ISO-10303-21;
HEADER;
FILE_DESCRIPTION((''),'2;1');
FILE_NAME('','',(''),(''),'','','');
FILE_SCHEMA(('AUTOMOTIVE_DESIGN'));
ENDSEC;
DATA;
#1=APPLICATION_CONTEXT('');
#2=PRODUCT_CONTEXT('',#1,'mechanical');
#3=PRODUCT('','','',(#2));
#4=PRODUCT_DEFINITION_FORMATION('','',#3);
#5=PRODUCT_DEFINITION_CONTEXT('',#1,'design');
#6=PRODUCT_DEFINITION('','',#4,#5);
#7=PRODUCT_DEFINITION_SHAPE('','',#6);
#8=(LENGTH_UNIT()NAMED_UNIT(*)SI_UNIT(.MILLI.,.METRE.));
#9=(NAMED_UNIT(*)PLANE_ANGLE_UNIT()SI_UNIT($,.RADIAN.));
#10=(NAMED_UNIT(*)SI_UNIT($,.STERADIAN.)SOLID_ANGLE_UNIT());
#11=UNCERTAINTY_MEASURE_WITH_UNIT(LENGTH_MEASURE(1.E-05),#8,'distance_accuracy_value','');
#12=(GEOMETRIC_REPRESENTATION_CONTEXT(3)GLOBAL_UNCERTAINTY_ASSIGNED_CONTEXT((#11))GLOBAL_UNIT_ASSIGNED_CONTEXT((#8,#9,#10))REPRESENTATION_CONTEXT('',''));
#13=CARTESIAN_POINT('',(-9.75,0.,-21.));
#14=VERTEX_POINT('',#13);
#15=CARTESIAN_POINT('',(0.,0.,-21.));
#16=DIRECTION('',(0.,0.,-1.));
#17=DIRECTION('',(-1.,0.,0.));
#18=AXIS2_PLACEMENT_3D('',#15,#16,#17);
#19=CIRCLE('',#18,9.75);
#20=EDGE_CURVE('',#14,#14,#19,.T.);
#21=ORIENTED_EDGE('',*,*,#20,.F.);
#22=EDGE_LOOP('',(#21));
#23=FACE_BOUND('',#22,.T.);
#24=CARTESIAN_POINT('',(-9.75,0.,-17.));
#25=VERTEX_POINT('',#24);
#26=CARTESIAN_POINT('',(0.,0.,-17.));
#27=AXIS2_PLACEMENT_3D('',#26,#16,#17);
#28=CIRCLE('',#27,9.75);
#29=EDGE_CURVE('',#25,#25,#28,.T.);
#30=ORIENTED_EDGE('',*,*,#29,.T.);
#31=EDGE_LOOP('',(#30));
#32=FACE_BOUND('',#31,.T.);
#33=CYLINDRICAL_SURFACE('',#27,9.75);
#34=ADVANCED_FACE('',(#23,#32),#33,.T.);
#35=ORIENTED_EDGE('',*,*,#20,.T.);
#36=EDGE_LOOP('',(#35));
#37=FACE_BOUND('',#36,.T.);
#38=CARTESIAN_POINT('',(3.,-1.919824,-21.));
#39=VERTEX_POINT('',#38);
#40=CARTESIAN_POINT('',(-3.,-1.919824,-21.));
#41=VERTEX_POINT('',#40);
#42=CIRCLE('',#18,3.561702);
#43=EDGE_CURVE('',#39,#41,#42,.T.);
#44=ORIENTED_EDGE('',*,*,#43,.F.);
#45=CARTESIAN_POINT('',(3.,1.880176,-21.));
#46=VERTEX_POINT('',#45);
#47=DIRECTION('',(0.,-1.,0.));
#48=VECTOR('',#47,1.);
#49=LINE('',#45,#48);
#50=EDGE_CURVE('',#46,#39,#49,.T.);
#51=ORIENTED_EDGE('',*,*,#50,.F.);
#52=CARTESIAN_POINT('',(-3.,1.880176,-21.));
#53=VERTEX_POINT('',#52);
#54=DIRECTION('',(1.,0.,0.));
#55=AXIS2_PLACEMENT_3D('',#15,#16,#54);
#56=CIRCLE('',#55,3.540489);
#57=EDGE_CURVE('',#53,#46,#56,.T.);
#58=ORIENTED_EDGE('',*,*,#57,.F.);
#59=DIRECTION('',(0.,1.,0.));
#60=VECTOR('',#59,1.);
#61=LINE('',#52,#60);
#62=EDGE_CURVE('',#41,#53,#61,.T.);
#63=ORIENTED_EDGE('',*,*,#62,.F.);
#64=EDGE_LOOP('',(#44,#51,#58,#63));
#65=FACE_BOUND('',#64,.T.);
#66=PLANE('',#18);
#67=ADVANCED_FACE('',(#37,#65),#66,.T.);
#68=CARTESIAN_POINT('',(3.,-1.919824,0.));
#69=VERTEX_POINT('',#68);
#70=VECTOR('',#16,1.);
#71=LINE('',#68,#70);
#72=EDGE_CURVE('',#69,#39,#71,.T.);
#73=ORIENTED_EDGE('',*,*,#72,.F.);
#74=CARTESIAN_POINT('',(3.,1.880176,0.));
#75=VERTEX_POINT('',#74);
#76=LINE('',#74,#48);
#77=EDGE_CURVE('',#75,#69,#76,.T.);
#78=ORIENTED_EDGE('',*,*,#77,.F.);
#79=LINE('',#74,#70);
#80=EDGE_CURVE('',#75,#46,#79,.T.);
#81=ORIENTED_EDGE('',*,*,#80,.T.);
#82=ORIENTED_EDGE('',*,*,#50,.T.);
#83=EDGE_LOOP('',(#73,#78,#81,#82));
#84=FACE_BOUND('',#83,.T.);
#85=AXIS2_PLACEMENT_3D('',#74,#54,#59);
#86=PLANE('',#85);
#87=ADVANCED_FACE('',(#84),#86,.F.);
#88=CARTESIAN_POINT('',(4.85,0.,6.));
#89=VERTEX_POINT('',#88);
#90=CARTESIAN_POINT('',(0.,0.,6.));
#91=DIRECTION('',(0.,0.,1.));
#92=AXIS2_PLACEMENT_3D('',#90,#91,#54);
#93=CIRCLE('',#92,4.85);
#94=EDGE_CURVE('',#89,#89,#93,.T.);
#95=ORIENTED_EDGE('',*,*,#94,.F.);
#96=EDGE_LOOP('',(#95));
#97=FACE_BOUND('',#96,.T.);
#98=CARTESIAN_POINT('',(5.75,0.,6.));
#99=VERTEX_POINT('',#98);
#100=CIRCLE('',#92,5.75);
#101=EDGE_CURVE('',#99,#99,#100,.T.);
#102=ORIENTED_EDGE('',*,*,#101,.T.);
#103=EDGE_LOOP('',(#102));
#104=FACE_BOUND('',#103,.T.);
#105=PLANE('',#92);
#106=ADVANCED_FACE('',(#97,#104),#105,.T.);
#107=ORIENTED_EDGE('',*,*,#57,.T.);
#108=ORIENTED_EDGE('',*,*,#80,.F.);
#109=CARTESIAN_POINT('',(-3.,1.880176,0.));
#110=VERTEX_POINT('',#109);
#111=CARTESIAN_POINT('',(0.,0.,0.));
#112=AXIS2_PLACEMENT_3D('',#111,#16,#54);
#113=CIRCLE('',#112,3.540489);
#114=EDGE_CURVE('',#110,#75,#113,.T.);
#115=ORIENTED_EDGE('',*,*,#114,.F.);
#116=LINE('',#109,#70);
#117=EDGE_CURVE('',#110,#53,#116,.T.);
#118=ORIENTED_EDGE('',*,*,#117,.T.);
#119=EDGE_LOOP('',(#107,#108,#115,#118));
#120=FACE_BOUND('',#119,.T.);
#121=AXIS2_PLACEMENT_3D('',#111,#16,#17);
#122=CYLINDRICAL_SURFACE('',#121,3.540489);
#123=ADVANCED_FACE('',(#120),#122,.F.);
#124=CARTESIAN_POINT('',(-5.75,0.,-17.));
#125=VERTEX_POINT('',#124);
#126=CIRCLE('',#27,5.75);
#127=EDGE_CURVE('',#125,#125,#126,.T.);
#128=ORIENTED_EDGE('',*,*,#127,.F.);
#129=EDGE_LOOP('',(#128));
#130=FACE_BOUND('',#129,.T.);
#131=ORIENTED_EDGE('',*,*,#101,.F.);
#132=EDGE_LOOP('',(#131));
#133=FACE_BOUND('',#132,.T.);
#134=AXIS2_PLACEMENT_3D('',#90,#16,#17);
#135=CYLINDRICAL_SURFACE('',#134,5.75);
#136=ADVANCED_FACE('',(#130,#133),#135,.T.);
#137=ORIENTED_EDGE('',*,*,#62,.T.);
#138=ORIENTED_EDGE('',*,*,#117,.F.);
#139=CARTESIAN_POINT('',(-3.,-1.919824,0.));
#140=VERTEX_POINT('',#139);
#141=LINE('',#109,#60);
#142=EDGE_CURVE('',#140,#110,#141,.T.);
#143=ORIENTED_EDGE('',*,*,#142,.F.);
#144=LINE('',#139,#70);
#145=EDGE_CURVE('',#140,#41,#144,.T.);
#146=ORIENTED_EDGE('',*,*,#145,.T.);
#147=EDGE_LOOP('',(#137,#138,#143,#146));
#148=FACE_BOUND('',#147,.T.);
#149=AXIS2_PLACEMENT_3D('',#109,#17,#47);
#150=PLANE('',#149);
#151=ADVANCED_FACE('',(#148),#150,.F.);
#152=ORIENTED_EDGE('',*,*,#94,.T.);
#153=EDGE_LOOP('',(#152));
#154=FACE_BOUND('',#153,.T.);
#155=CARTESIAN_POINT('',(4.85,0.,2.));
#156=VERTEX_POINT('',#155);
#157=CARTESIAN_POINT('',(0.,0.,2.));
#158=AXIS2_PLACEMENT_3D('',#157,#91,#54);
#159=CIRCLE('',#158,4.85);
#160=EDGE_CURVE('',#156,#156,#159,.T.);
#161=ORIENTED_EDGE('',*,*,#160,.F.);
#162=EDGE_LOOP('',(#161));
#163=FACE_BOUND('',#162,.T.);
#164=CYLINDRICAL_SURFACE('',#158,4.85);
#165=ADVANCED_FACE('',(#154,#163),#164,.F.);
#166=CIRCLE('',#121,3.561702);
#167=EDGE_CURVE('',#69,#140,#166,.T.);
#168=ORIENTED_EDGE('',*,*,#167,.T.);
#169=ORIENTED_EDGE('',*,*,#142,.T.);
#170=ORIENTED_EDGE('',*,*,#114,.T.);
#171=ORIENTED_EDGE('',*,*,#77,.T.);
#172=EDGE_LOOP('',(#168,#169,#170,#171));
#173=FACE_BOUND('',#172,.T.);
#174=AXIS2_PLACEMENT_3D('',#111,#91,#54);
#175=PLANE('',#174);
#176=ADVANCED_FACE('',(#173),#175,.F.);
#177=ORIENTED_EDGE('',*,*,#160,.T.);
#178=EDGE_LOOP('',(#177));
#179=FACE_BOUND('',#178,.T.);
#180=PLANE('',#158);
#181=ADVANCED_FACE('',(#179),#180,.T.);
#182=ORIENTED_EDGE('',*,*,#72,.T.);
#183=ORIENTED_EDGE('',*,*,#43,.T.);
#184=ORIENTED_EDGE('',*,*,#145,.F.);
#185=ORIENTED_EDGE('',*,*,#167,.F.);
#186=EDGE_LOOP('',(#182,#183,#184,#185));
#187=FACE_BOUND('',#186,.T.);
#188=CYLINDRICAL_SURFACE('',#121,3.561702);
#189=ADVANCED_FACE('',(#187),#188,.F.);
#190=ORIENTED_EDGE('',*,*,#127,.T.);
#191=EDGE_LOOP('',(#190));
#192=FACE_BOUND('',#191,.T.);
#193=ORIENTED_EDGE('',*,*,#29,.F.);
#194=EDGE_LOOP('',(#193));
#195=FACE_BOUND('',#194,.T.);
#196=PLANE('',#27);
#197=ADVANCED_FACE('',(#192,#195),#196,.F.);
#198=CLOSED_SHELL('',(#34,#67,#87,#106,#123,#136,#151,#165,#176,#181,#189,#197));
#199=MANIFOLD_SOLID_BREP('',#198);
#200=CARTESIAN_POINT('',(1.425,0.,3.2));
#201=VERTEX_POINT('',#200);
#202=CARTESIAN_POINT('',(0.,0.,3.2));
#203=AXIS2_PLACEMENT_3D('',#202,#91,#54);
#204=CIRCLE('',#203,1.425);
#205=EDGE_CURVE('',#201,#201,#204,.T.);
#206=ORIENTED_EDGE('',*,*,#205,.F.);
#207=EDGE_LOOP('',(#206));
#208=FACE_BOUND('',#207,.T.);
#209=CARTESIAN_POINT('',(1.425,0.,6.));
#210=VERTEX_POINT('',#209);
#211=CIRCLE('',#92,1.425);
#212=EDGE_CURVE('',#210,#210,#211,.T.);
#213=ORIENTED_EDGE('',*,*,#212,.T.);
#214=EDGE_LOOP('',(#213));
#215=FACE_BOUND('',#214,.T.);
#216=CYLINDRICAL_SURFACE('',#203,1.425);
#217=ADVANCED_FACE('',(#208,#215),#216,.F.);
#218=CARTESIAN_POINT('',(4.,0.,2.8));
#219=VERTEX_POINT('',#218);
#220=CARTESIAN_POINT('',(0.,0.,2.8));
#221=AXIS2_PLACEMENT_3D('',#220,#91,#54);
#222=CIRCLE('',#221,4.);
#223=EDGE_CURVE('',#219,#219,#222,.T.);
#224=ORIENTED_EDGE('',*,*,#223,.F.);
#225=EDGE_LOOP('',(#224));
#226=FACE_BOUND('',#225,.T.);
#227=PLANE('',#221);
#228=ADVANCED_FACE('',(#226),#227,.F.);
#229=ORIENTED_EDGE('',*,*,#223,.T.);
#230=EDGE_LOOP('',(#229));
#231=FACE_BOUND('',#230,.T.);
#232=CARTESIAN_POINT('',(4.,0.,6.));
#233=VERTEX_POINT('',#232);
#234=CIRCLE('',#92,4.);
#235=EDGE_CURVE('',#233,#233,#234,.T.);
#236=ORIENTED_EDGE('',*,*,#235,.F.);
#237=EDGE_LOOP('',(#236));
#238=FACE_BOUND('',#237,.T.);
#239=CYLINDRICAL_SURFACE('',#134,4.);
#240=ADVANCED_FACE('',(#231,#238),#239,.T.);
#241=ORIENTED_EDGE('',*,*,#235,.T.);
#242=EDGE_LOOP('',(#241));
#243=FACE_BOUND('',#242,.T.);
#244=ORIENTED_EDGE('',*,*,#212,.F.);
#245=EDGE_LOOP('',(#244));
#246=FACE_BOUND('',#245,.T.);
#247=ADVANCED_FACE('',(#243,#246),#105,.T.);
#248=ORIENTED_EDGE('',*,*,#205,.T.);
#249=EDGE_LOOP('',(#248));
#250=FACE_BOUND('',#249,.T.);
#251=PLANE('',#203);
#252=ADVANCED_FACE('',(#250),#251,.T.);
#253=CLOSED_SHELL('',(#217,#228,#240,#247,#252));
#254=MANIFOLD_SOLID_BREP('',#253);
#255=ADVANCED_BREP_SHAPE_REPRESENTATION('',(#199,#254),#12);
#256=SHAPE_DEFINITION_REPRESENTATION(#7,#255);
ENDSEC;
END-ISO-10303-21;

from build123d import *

# Parameters (mm, degrees)
SKETCH2_R           = 5.75
BOSS_EXTRUDE1_DEPTH = 6
SKETCH3_R           = 4.85
CUT_EXTRUDE1_DEPTH  = 4
SKETCH4_R           = 4.75
BOSS_EXTRUDE2_DEPTH = 21
CUT_EXTRUDE2_DEPTH  = 21
SKETCH7_R           = 4
BOSS_EXTRUDE3_DEPTH = 3.2
SKETCH8_R           = 1.425
CUT_EXTRUDE3_DEPTH  = 2.8
SKETCH11_R          = 5.75
SKETCH11_R_2        = 4.75
BOSS_EXTRUDE5_DEPTH = 21
SKETCH12_R          = 9.75
SKETCH12_R_2        = 5.75
BOSS_EXTRUDE6_DEPTH = 4


with BuildPart() as part:
    # Sketch2 → Boss-Extrude1 (new body)
    with BuildSketch(Plane.XY):
        Circle(SKETCH2_R)
    extrude(amount=BOSS_EXTRUDE1_DEPTH)

    # Sketch3 → Cut-Extrude1 (cut)
    with BuildSketch(Plane.XY.offset(6)):
        Circle(SKETCH3_R)
    extrude(amount=-CUT_EXTRUDE1_DEPTH, mode=Mode.SUBTRACT)

    # Sketch4 → Boss-Extrude2 (add)
    with BuildSketch(Plane(origin=(0, 0, 0), x_dir=(-1, 0, 0), z_dir=(0, 0, -1))):
        with Locations(Location((0, 0, 0), (0, 0, 180))):
            Circle(SKETCH4_R)
    extrude(amount=BOSS_EXTRUDE2_DEPTH)

    # Sketch5 → Cut-Extrude2 (cut)
    with BuildSketch(Plane(origin=(0, 0, -21), x_dir=(-1, 0, 0), z_dir=(0, 0, -1))):
        with BuildLine():
            Line((-3, 1.880175896), (-3, -1.919824104))
            ThreePointArc((-3, -1.919824104), (0, -3.561702485), (3, -1.919824104))
            Line((3, -1.919824104), (3, 1.880175896))
            ThreePointArc((3, 1.880175896), (0, 3.540488865), (-3, 1.880175896))
        make_face()
    extrude(amount=-CUT_EXTRUDE2_DEPTH, mode=Mode.SUBTRACT)

    # Sketch11 → Boss-Extrude5 (add)
    with BuildSketch(Plane(origin=(0, 0, -21), x_dir=(-1, 0, 0), z_dir=(0, 0, -1))):
        Circle(SKETCH11_R)
        Circle(SKETCH11_R_2, mode=Mode.SUBTRACT)
    extrude(amount=-BOSS_EXTRUDE5_DEPTH)

    # Sketch12 → Boss-Extrude6 (add)
    with BuildSketch(Plane(origin=(0, 0, -21), x_dir=(-1, 0, 0), z_dir=(0, 0, -1))):
        Circle(SKETCH12_R)
        Circle(SKETCH12_R_2, mode=Mode.SUBTRACT)
    extrude(amount=-BOSS_EXTRUDE6_DEPTH)


with BuildPart() as body_2:
    # Sketch7 → Boss-Extrude3 (new body)
    with BuildSketch(Plane.XY.offset(2.8)):
        Circle(SKETCH7_R)
    extrude(amount=BOSS_EXTRUDE3_DEPTH)

    # Sketch8 → Cut-Extrude3 (cut)
    with BuildSketch(Plane.XY.offset(6)):
        Circle(SKETCH8_R)
    extrude(amount=-CUT_EXTRUDE3_DEPTH, mode=Mode.SUBTRACT)


solid = Compound([part.part, body_2.part])
